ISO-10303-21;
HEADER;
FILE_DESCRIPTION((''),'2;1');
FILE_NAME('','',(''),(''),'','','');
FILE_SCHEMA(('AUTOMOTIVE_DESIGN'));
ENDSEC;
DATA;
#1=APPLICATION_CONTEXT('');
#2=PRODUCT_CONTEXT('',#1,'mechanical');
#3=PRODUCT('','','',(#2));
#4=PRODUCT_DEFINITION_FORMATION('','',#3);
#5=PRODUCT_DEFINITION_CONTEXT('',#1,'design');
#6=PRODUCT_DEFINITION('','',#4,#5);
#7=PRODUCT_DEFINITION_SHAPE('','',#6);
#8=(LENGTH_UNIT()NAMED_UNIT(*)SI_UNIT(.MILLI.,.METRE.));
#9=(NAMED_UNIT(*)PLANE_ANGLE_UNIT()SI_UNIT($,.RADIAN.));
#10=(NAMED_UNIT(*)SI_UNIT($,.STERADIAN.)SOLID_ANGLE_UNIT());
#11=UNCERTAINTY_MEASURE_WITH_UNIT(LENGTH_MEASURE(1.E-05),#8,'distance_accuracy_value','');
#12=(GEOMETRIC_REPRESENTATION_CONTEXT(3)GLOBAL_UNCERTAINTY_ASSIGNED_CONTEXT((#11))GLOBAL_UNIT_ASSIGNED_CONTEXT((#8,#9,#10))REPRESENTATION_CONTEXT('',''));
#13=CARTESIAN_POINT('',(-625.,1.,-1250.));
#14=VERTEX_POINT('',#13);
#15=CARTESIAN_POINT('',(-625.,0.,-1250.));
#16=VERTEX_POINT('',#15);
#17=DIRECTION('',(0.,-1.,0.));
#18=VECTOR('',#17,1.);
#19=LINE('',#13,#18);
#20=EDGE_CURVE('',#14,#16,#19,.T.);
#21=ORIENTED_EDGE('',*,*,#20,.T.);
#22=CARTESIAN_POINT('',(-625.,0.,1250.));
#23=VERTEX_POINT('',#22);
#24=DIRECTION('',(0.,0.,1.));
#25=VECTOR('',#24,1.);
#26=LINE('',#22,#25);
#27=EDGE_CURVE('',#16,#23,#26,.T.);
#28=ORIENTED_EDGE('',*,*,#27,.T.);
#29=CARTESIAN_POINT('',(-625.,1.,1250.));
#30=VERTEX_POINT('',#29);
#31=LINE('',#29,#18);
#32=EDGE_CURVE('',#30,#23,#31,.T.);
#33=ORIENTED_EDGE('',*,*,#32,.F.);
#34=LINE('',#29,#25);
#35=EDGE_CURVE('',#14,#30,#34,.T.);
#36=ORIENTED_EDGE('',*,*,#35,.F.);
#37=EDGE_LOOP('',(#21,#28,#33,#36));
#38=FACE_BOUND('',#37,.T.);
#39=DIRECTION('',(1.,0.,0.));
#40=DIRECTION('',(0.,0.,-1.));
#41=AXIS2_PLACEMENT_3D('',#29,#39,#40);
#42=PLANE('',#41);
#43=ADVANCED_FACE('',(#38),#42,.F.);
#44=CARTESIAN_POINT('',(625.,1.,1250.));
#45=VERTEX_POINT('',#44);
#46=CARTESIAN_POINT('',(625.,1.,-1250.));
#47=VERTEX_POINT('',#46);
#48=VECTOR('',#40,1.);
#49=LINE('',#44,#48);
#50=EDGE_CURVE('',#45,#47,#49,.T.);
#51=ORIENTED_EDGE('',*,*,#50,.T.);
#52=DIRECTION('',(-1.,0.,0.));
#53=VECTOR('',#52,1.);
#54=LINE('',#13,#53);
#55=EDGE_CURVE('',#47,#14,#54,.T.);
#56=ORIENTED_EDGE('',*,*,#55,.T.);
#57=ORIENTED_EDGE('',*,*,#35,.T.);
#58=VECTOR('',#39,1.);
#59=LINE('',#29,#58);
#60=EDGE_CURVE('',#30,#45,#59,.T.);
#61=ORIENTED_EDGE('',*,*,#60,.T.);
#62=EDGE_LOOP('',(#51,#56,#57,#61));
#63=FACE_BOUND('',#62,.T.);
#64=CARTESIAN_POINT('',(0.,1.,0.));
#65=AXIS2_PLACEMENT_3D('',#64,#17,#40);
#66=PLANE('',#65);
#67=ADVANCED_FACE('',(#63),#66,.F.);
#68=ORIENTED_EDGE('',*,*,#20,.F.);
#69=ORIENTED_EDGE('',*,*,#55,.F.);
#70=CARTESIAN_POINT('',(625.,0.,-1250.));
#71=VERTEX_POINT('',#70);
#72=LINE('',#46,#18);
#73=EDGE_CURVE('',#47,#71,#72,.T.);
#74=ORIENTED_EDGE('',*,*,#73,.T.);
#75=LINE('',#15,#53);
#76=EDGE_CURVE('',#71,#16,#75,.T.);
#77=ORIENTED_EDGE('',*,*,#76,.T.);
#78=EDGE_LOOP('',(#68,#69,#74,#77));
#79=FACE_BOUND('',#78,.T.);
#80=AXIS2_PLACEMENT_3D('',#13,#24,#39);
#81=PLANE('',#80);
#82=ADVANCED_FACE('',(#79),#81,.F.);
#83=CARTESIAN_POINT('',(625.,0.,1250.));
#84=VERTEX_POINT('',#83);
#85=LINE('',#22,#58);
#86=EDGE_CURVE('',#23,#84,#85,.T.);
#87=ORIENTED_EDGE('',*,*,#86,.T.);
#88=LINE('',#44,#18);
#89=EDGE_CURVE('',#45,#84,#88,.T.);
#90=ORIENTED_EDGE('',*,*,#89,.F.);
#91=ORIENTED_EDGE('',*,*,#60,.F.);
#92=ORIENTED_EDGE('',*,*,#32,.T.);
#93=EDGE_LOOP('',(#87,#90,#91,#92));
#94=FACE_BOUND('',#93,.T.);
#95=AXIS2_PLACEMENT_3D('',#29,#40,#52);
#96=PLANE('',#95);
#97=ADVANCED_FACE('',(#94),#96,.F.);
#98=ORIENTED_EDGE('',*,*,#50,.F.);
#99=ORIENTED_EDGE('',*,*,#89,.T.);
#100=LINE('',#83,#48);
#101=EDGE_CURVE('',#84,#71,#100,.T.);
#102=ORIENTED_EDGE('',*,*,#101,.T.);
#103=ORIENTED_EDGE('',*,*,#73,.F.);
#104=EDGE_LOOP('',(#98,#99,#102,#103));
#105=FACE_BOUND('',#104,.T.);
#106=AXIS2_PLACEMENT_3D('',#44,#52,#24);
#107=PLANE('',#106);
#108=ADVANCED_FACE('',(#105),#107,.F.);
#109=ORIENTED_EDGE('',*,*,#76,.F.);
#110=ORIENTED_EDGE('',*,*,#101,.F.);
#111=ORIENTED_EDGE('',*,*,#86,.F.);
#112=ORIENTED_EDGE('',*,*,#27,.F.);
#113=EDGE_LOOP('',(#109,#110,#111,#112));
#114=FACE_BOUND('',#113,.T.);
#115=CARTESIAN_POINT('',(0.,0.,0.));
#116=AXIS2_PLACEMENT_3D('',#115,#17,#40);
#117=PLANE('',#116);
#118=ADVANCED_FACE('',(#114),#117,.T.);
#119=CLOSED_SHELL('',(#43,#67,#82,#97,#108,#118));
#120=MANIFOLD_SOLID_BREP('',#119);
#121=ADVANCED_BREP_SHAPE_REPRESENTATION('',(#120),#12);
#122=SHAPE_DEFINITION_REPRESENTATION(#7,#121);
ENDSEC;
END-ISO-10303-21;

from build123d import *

# Parameters (mm, degrees)
ESQUISSE1_W        = 1250
ESQUISSE1_H        = 2500
BOSS_EXTRU_1_DEPTH = 1


with BuildPart() as part:
    # Esquisse1 → Boss.-Extru.1 (new body)
    with BuildSketch(Plane(origin=(0, 0, 0), x_dir=(1, 0, 0), z_dir=(0, 1, 0))):
        Rectangle(ESQUISSE1_W, ESQUISSE1_H)
    extrude(amount=BOSS_EXTRU_1_DEPTH)


solid = part.part
